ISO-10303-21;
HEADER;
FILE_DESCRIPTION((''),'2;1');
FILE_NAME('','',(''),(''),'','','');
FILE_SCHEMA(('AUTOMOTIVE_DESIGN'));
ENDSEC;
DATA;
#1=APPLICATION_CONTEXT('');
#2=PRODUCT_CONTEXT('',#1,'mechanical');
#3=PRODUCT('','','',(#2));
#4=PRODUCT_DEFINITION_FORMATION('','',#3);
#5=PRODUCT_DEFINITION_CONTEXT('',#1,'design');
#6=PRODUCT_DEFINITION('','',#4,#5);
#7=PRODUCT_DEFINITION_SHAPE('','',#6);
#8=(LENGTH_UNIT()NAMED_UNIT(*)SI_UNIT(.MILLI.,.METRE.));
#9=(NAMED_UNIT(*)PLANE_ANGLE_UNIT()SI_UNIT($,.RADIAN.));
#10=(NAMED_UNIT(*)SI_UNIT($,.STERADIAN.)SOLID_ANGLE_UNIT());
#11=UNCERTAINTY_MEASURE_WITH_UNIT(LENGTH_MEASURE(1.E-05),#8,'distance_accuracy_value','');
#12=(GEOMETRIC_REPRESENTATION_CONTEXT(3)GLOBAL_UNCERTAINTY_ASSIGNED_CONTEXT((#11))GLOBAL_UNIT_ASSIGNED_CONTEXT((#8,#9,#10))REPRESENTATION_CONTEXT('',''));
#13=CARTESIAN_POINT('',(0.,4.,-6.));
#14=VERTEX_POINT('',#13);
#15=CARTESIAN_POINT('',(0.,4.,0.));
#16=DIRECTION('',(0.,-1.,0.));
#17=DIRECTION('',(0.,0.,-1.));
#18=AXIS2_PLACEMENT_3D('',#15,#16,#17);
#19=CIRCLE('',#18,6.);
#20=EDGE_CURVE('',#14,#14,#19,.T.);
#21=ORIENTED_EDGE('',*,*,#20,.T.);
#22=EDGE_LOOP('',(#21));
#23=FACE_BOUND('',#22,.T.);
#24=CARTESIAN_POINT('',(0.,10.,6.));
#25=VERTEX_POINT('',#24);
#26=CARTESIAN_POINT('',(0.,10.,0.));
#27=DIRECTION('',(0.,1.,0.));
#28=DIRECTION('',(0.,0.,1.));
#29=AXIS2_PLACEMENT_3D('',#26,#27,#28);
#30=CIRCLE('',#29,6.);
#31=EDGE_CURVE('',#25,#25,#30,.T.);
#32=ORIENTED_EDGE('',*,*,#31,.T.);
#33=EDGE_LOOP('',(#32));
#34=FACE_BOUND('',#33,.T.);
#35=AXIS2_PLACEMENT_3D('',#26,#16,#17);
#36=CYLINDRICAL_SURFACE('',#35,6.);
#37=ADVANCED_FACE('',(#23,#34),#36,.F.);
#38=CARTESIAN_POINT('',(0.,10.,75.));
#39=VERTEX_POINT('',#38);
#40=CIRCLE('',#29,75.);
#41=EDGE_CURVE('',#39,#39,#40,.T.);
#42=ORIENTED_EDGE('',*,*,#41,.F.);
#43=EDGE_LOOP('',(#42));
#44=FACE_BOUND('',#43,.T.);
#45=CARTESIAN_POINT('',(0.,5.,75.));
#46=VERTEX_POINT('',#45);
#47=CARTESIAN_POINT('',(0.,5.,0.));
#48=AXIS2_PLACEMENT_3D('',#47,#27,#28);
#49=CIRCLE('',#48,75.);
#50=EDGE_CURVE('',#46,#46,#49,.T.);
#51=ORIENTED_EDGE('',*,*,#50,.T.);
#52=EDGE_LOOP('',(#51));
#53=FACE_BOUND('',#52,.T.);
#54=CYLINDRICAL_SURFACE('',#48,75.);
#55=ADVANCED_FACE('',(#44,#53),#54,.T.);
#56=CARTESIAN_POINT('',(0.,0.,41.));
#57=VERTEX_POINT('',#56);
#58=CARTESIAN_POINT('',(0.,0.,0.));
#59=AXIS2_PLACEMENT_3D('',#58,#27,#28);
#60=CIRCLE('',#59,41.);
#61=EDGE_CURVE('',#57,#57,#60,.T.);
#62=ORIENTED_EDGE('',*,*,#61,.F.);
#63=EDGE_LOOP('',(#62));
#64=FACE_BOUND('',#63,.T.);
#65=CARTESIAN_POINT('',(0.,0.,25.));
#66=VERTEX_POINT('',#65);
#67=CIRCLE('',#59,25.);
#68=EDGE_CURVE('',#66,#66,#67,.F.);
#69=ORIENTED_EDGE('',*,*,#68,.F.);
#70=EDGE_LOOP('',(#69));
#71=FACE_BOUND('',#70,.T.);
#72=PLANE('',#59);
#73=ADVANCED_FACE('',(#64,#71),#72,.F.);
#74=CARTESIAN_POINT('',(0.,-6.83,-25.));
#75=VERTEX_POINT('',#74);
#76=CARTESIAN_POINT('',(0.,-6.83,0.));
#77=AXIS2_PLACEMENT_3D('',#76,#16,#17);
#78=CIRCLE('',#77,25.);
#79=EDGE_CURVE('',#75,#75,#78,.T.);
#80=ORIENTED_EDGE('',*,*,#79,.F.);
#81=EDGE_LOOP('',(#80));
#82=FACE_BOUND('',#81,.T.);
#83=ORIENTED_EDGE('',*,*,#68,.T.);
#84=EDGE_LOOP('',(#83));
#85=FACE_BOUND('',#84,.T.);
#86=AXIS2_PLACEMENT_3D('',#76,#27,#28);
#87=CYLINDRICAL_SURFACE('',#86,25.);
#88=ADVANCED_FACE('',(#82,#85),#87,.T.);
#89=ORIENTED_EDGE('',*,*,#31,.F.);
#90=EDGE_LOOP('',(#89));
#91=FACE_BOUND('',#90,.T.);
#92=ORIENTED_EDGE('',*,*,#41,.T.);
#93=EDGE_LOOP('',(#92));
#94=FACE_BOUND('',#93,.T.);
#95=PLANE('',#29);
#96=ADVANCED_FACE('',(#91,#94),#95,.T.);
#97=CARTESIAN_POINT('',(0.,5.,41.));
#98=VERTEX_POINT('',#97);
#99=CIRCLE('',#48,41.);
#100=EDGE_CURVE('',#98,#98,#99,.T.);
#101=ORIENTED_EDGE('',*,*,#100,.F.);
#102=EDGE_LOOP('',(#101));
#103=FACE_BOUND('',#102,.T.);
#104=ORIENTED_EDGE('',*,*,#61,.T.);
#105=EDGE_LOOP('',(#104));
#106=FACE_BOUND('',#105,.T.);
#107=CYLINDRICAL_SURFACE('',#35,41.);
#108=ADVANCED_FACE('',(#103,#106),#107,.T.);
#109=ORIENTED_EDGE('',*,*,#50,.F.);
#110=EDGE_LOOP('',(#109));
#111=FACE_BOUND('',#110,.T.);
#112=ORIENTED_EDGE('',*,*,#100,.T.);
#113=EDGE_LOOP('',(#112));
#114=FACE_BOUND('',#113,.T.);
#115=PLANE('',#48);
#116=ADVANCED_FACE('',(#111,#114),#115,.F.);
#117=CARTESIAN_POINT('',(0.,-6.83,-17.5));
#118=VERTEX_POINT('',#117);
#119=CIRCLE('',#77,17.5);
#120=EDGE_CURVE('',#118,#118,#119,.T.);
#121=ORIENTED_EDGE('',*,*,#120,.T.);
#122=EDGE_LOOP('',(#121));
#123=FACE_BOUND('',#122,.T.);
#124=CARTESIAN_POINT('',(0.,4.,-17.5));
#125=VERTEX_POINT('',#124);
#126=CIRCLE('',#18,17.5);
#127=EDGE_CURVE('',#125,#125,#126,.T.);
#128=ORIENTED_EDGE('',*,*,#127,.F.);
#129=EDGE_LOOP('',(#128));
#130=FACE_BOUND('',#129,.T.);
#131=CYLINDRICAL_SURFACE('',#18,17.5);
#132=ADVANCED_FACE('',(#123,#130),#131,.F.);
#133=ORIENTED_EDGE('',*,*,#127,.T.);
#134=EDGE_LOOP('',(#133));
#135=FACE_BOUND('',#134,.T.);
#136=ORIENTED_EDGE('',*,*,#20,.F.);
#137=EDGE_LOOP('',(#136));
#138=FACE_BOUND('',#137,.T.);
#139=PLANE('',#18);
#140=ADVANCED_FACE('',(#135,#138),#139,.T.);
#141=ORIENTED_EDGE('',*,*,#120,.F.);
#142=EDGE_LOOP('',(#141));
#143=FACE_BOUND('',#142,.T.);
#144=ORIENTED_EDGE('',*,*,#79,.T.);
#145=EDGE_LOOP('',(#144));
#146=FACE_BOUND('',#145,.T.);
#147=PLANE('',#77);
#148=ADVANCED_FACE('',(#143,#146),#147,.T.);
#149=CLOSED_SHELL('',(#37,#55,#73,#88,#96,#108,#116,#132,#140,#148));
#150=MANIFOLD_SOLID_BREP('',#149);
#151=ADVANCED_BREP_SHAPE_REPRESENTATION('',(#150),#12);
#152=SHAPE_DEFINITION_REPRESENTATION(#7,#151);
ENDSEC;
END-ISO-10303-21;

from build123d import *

# Parameters (mm, degrees)
ESQUISSE1_R             = 41
ESQUISSE1_R_2           = 6
BOSS_EXTRU_1_DEPTH      = 10
ESQUISSE2_R             = 17.5
ENL_V_MAT_EXTRU_1_DEPTH = 4
BOSS_EXTRU_2_START      = -5
ESQUISSE3_R             = 75
ESQUISSE3_R_2           = 6
BOSS_EXTRU_2_DEPTH      = 5
BOSS_EXTRU_3_START      = 6.83
ESQUISSE4_R             = 25
ESQUISSE4_R_2           = 17.5
BOSS_EXTRU_3_DEPTH      = 6.83


with BuildPart() as part:
    # Esquisse1 → Boss.-Extru.1 (new body)
    with BuildSketch(Plane(origin=(0, 0, 0), x_dir=(1, 0, 0), z_dir=(0, 1, 0))):
        with Locations(Location((0, 0, 0), (0, 0, 270))):
            Circle(ESQUISSE1_R)
        with Locations(Location((0, 0, 0), (0, 0, 270))):
            Circle(ESQUISSE1_R_2, mode=Mode.SUBTRACT)
    extrude(amount=BOSS_EXTRU_1_DEPTH)

    # Esquisse2 → Enlèv. mat.-Extru.1 (cut)
    with BuildSketch(Plane.XZ):
        with Locations(Location((0, 0, 0), (0, 0, 270))):
            Circle(ESQUISSE2_R)
    extrude(amount=-ENL_V_MAT_EXTRU_1_DEPTH, mode=Mode.SUBTRACT)

    # Esquisse3 → Boss.-Extru.2 (add)
    with BuildSketch(Plane(origin=(0, 10, 0), x_dir=(1, 0, 0), z_dir=(0, 1, 0)).offset(BOSS_EXTRU_2_START)):
        with Locations(Location((0, 0, 0), (0, 0, 270))):
            Circle(ESQUISSE3_R)
        with Locations(Location((0, 0, 0), (0, 0, 90))):
            Circle(ESQUISSE3_R_2, mode=Mode.SUBTRACT)
    extrude(amount=BOSS_EXTRU_2_DEPTH)

    # Esquisse4 → Boss.-Extru.3 (add)
    with BuildSketch(Plane.XZ.offset(BOSS_EXTRU_3_START)):
        with Locations(Location((0, 0, 0), (0, 0, 90))):
            Circle(ESQUISSE4_R)
        with Locations(Location((0, 0, 0), (0, 0, 270))):
            Circle(ESQUISSE4_R_2, mode=Mode.SUBTRACT)
    extrude(amount=-BOSS_EXTRU_3_DEPTH)


solid = part.part
